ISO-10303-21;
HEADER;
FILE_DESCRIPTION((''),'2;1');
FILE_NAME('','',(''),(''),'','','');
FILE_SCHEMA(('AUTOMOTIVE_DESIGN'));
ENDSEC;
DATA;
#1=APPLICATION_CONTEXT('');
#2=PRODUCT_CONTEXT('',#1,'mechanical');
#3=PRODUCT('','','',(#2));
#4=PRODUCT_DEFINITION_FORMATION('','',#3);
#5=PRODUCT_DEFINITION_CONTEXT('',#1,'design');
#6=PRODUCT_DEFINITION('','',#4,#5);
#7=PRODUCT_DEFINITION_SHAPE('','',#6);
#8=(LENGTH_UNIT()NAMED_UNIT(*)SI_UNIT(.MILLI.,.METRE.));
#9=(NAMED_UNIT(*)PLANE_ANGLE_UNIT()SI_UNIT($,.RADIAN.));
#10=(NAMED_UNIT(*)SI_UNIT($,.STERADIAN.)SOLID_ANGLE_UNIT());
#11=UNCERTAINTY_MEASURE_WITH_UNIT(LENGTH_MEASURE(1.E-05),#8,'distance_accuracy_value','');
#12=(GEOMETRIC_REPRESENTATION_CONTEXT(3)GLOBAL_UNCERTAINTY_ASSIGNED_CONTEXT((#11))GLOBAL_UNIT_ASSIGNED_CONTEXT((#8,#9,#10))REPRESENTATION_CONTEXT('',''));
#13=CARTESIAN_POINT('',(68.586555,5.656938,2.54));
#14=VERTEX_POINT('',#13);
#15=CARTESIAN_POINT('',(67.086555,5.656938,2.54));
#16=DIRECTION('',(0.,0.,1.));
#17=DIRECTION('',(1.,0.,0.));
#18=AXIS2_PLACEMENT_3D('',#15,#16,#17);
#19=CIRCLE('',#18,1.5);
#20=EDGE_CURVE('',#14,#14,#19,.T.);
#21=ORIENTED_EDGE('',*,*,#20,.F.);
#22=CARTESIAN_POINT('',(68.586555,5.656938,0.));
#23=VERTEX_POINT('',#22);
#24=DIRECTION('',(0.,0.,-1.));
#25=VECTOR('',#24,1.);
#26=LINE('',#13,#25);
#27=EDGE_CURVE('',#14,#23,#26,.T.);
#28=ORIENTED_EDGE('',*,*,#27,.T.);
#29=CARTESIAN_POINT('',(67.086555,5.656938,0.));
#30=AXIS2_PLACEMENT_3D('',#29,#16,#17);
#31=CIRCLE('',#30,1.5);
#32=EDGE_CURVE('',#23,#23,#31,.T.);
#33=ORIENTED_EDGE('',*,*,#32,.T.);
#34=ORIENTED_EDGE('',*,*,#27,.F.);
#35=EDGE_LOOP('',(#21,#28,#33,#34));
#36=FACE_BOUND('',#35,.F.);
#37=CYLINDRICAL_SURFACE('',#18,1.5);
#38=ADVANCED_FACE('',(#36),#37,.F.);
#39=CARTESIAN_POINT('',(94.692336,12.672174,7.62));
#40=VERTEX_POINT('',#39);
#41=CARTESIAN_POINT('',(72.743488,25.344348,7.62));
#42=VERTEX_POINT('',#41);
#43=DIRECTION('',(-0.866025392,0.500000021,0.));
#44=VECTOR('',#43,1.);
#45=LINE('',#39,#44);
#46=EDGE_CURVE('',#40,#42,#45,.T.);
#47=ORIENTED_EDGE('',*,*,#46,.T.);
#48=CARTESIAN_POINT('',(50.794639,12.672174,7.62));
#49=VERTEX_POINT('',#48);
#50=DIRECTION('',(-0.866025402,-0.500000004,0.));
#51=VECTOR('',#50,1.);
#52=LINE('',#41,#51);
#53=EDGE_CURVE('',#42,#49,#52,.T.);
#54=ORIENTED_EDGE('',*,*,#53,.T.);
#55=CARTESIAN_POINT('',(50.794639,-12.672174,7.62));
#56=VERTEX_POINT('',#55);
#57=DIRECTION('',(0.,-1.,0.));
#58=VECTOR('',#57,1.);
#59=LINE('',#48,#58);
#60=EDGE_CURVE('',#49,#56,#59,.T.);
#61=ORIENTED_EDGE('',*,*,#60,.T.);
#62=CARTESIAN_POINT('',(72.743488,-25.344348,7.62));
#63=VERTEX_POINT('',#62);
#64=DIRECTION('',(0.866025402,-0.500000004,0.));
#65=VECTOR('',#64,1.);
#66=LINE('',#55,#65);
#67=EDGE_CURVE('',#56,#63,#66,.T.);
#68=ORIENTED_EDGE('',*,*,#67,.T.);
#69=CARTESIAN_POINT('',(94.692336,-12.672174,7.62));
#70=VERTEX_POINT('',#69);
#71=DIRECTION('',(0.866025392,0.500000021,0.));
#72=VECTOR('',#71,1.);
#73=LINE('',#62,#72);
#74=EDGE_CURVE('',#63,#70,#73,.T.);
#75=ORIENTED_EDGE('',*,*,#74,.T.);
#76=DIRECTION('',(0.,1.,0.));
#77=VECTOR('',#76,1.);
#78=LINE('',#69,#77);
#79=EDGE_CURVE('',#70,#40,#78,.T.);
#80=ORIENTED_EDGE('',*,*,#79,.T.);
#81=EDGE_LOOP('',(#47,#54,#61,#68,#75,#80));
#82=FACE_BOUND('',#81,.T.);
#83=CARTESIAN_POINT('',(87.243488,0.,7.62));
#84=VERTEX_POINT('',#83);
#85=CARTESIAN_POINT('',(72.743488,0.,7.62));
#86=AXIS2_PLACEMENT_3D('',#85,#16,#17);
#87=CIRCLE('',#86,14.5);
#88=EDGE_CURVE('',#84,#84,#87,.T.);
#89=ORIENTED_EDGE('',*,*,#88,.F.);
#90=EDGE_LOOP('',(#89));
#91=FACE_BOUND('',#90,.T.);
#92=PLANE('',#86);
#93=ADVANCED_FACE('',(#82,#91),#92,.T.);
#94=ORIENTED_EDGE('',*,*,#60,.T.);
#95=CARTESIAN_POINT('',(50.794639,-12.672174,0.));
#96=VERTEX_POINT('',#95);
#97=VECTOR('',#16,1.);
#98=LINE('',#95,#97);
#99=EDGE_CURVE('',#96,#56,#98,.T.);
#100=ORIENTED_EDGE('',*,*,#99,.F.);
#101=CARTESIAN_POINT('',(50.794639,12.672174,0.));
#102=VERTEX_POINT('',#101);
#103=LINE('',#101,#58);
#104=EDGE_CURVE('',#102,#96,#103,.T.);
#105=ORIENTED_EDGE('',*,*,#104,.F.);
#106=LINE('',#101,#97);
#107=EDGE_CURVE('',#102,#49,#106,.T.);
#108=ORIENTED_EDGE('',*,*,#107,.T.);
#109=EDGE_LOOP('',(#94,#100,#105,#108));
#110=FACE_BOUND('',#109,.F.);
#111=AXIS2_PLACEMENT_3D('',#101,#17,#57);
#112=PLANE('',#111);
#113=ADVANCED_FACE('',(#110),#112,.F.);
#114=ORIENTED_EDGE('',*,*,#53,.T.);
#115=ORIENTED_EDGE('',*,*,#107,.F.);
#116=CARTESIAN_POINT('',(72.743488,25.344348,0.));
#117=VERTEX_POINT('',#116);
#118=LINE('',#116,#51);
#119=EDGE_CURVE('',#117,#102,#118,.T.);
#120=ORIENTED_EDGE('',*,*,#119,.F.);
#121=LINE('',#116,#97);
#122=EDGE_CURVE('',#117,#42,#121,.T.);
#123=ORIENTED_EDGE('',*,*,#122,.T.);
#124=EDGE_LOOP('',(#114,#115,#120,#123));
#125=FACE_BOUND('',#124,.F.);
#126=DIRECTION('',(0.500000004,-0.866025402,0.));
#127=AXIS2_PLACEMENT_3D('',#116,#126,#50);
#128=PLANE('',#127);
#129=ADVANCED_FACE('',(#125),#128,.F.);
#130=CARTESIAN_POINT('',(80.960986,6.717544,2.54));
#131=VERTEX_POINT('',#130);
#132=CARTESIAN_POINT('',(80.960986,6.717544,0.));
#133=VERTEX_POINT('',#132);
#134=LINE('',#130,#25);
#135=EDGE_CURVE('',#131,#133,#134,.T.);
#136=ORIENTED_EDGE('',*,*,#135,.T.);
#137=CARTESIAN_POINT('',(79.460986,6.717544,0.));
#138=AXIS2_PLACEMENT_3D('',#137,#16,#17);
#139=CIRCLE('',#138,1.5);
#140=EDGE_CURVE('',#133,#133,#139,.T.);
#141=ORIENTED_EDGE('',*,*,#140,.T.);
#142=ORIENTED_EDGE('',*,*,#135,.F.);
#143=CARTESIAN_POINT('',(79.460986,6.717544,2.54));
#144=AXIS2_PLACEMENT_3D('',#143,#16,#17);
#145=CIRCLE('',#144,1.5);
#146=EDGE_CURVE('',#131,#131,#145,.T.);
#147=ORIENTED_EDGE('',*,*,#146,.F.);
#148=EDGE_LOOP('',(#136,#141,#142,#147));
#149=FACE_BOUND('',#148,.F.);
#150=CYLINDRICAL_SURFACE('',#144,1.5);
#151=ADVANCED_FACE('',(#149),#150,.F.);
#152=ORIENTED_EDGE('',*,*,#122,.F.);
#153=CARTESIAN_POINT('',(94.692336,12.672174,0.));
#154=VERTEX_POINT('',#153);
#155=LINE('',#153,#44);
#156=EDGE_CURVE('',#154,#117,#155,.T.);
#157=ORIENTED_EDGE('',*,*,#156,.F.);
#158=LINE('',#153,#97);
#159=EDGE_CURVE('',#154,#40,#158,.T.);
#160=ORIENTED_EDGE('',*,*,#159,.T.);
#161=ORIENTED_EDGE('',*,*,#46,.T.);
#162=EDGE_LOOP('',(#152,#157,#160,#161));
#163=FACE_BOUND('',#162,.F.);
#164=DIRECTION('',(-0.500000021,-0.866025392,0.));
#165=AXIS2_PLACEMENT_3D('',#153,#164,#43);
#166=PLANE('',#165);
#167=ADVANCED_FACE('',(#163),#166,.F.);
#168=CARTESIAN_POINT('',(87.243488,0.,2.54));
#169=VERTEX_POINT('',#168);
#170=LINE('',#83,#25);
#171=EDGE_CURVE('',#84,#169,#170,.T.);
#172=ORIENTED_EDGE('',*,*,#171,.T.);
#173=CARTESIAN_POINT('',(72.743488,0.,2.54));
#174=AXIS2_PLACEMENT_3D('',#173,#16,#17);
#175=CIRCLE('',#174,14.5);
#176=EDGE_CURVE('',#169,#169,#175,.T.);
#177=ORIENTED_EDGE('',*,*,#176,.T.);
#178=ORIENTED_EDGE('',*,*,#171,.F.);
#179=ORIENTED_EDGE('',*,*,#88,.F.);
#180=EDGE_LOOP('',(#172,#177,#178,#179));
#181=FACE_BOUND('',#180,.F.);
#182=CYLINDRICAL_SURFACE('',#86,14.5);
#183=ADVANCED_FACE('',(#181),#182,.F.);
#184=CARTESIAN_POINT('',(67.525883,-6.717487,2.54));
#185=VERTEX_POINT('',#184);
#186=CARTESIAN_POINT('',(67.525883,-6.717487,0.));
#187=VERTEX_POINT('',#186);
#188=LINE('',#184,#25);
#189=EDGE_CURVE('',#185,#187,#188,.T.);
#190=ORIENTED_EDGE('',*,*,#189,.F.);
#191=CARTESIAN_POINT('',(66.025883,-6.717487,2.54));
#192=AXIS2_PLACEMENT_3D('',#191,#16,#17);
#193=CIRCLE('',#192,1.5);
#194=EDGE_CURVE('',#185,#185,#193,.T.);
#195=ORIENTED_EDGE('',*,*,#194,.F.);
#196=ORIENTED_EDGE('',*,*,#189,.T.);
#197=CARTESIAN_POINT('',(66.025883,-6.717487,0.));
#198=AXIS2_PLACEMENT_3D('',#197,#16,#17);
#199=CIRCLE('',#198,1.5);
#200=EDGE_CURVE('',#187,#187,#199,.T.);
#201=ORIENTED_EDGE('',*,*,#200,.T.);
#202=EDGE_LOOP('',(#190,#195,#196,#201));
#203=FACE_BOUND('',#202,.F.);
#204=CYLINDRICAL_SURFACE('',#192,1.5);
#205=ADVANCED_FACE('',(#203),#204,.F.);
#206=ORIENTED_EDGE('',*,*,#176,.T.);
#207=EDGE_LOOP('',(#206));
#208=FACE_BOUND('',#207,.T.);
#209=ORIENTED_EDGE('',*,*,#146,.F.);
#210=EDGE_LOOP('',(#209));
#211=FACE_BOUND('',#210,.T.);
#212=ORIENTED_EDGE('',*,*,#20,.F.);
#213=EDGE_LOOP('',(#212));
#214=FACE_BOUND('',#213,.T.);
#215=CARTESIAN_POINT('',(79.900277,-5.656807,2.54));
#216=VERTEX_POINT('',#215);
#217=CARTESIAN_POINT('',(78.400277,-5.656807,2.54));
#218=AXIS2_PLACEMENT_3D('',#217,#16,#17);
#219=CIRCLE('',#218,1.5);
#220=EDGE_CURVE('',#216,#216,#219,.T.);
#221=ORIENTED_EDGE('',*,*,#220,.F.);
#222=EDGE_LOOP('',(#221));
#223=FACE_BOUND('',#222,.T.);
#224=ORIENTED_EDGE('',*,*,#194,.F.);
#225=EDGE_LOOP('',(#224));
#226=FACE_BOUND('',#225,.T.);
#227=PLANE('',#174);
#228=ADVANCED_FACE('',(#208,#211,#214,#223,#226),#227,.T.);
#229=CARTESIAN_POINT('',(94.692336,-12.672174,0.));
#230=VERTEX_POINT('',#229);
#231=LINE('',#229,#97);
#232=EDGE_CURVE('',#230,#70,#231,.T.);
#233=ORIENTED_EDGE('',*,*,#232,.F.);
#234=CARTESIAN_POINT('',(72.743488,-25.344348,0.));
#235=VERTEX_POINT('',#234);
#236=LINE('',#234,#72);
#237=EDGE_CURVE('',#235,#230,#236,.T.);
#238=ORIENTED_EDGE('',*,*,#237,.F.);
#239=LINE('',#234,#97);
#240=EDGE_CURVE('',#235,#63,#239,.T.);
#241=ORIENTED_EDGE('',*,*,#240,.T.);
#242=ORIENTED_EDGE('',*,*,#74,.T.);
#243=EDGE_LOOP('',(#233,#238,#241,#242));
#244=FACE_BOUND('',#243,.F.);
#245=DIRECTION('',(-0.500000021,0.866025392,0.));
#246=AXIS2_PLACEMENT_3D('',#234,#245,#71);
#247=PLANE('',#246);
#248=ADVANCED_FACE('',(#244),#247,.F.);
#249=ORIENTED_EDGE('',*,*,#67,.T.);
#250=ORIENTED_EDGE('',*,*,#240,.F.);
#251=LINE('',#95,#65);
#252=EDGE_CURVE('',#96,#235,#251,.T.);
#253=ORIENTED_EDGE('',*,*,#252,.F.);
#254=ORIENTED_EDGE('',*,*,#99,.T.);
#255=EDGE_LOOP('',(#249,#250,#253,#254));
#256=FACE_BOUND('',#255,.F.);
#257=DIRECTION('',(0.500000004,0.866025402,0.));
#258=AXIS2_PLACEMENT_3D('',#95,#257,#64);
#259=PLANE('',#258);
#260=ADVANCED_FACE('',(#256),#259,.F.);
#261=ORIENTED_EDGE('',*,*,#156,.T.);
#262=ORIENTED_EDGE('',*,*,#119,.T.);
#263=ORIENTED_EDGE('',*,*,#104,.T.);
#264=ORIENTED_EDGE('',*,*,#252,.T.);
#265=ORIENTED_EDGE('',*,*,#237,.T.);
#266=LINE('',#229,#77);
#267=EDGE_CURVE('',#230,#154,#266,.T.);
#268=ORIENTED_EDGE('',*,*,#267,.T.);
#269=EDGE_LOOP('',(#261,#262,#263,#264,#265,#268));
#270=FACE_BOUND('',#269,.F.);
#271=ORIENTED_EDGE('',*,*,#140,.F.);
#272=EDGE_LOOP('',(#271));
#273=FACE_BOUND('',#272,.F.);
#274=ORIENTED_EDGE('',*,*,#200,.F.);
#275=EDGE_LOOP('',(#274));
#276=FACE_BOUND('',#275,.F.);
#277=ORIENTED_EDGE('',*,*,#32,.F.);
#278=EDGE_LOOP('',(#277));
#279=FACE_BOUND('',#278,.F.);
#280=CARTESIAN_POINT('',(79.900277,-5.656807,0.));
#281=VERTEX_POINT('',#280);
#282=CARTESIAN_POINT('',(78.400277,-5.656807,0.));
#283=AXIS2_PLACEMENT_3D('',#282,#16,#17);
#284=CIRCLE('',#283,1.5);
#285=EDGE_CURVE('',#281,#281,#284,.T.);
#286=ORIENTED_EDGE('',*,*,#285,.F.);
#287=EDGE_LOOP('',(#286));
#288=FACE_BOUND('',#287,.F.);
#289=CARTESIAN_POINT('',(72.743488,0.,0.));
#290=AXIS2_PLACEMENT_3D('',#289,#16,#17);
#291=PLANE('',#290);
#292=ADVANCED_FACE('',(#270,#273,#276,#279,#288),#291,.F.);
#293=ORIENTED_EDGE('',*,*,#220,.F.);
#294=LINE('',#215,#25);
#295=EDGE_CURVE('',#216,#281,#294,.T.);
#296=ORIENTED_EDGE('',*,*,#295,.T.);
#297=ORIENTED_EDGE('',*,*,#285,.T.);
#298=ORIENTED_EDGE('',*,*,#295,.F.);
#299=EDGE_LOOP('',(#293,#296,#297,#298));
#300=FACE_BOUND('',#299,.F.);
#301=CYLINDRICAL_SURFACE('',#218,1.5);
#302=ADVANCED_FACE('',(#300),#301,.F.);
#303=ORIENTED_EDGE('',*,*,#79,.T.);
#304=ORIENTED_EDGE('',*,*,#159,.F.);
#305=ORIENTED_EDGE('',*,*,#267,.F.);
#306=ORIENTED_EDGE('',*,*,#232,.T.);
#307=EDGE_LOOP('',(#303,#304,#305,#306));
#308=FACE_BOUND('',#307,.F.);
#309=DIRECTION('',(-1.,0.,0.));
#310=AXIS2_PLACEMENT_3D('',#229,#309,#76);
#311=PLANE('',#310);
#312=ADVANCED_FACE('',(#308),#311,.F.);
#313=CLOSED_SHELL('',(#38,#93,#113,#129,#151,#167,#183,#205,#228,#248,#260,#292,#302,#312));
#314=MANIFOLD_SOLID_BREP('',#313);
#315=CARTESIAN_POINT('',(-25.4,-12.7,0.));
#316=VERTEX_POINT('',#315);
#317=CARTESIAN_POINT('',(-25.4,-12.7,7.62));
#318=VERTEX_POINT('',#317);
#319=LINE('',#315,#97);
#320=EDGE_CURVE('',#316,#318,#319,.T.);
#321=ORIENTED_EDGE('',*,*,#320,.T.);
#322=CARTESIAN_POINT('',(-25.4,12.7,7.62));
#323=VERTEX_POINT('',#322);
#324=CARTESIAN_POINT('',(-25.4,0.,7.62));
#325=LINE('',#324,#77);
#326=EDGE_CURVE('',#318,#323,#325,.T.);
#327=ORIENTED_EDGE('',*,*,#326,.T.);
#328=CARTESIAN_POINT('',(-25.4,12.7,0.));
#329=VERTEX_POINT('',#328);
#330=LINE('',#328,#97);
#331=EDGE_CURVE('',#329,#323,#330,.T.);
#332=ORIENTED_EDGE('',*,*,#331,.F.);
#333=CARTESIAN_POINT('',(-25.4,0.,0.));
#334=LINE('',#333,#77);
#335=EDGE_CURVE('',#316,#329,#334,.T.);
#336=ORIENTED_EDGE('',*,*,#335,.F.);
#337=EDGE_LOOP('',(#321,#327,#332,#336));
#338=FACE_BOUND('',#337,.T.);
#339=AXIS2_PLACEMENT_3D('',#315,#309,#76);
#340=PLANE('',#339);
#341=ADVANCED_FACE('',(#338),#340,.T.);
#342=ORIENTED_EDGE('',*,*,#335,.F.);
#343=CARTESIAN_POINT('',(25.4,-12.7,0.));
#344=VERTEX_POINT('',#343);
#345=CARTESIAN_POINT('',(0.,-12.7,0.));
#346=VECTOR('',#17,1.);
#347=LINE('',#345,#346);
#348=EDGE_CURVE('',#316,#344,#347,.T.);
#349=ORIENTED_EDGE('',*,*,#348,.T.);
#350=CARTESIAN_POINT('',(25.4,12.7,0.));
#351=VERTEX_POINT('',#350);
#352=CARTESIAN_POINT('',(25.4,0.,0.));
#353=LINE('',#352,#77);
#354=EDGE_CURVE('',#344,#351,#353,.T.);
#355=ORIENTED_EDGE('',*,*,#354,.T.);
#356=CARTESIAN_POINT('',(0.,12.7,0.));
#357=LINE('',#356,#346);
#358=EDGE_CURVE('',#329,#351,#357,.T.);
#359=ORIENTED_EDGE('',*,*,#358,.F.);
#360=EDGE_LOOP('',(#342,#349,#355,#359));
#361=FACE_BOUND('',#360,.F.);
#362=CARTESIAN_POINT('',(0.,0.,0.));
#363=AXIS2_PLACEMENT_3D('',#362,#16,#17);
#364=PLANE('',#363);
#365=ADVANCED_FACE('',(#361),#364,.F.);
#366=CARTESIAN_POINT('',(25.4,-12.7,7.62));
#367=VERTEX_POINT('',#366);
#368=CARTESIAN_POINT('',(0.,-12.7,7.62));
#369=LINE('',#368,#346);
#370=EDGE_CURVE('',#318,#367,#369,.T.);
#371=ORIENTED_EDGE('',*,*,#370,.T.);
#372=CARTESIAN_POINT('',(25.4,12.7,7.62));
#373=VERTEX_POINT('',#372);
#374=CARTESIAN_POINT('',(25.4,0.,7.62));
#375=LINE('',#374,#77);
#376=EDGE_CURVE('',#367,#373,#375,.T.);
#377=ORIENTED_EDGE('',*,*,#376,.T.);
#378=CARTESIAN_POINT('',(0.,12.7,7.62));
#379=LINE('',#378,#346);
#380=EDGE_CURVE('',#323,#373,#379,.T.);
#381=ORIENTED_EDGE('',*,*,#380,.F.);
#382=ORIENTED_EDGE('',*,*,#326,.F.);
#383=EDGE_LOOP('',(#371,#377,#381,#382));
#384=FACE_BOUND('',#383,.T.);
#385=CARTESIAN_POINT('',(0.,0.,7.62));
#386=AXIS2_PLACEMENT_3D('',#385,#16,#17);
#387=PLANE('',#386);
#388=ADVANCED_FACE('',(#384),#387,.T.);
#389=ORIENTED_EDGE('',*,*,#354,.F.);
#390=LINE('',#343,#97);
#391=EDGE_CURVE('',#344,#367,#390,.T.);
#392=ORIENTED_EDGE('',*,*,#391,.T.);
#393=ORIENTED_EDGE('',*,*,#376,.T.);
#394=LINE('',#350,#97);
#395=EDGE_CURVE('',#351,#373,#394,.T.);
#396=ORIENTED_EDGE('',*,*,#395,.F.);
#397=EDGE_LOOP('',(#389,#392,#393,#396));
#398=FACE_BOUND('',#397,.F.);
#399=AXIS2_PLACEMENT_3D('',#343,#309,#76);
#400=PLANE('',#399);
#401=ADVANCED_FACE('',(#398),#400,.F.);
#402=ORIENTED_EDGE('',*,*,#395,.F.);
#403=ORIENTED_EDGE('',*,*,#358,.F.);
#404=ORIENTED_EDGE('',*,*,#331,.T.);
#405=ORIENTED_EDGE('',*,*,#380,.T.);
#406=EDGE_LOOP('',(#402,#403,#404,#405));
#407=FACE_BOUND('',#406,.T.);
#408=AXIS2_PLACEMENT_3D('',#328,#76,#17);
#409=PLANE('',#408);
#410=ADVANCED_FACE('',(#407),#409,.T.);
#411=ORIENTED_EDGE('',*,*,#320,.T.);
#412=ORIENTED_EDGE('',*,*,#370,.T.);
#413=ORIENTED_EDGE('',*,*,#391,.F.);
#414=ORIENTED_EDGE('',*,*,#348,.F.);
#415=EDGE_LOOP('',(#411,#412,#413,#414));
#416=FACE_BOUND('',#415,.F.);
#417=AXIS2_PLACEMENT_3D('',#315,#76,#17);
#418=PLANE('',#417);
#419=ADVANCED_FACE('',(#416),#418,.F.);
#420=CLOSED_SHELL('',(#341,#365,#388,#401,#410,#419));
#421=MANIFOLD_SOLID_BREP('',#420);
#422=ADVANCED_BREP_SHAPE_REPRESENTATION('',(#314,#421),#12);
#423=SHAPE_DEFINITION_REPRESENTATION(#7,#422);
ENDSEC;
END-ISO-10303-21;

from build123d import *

# Parameters (mm, degrees)
F2_DEPTH  = 7.62
F3_R      = 14.5
F4_DEPTH  = 5.08
F6_R      = 1.5
F10_DEPTH = 2.541
F7_R      = 1.5
F11_DEPTH = 2.541
F8_R      = 1.5
F12_DEPTH = 2.541
F9_R      = 1.5
F13_DEPTH = 2.541
F0_W      = 50.8
F0_H      = 25.4
F14_DEPTH = 7.62


with BuildPart() as f2:
    # F1 (on Top) → F2 (new body)
    with BuildSketch(Plane.XY):
        Polygon((94.692336, -12.672174), (94.692336, 12.672174), (72.743488, 25.344348), (50.794639, 12.672174), (50.794639, -12.672174), (72.743488, -25.344348), align=None)
    extrude(amount=F2_DEPTH)

    # F3 (on face) → F4 (cut)
    with BuildSketch(Plane.XY.offset(7.62)):
        with Locations((72.743488, 0)):
            Circle(F3_R)
    extrude(amount=-F4_DEPTH, mode=Mode.SUBTRACT)

    # F6 (on face) → F10 (cut, through all)
    with BuildSketch(Plane.XY.offset(2.54)):
        with Locations((67.086555, 5.656938)):
            Circle(F6_R)
    extrude(amount=-F10_DEPTH, mode=Mode.SUBTRACT)

    # F7 (on face) → F11 (cut, through all)
    with BuildSketch(Plane.XY.offset(2.54)):
        with Locations((79.460986, 6.717544)):
            Circle(F7_R)
    extrude(amount=-F11_DEPTH, mode=Mode.SUBTRACT)

    # F8 (on face) → F12 (cut, through all)
    with BuildSketch(Plane.XY.offset(2.54)):
        with Locations((78.400277, -5.656807)):
            Circle(F8_R)
    extrude(amount=-F12_DEPTH, mode=Mode.SUBTRACT)

    # F9 (on face) → F13 (cut, through all)
    with BuildSketch(Plane.XY.offset(2.54)):
        with Locations((66.025883, -6.717487)):
            Circle(F9_R)
    extrude(amount=-F13_DEPTH, mode=Mode.SUBTRACT)


with BuildPart() as f14:
    # F0 (on Top) → F14 (new body)
    with BuildSketch(Plane.XY):
        Rectangle(F0_W, F0_H)
    extrude(amount=F14_DEPTH)


solid = Compound([f2.part, f14.part])
